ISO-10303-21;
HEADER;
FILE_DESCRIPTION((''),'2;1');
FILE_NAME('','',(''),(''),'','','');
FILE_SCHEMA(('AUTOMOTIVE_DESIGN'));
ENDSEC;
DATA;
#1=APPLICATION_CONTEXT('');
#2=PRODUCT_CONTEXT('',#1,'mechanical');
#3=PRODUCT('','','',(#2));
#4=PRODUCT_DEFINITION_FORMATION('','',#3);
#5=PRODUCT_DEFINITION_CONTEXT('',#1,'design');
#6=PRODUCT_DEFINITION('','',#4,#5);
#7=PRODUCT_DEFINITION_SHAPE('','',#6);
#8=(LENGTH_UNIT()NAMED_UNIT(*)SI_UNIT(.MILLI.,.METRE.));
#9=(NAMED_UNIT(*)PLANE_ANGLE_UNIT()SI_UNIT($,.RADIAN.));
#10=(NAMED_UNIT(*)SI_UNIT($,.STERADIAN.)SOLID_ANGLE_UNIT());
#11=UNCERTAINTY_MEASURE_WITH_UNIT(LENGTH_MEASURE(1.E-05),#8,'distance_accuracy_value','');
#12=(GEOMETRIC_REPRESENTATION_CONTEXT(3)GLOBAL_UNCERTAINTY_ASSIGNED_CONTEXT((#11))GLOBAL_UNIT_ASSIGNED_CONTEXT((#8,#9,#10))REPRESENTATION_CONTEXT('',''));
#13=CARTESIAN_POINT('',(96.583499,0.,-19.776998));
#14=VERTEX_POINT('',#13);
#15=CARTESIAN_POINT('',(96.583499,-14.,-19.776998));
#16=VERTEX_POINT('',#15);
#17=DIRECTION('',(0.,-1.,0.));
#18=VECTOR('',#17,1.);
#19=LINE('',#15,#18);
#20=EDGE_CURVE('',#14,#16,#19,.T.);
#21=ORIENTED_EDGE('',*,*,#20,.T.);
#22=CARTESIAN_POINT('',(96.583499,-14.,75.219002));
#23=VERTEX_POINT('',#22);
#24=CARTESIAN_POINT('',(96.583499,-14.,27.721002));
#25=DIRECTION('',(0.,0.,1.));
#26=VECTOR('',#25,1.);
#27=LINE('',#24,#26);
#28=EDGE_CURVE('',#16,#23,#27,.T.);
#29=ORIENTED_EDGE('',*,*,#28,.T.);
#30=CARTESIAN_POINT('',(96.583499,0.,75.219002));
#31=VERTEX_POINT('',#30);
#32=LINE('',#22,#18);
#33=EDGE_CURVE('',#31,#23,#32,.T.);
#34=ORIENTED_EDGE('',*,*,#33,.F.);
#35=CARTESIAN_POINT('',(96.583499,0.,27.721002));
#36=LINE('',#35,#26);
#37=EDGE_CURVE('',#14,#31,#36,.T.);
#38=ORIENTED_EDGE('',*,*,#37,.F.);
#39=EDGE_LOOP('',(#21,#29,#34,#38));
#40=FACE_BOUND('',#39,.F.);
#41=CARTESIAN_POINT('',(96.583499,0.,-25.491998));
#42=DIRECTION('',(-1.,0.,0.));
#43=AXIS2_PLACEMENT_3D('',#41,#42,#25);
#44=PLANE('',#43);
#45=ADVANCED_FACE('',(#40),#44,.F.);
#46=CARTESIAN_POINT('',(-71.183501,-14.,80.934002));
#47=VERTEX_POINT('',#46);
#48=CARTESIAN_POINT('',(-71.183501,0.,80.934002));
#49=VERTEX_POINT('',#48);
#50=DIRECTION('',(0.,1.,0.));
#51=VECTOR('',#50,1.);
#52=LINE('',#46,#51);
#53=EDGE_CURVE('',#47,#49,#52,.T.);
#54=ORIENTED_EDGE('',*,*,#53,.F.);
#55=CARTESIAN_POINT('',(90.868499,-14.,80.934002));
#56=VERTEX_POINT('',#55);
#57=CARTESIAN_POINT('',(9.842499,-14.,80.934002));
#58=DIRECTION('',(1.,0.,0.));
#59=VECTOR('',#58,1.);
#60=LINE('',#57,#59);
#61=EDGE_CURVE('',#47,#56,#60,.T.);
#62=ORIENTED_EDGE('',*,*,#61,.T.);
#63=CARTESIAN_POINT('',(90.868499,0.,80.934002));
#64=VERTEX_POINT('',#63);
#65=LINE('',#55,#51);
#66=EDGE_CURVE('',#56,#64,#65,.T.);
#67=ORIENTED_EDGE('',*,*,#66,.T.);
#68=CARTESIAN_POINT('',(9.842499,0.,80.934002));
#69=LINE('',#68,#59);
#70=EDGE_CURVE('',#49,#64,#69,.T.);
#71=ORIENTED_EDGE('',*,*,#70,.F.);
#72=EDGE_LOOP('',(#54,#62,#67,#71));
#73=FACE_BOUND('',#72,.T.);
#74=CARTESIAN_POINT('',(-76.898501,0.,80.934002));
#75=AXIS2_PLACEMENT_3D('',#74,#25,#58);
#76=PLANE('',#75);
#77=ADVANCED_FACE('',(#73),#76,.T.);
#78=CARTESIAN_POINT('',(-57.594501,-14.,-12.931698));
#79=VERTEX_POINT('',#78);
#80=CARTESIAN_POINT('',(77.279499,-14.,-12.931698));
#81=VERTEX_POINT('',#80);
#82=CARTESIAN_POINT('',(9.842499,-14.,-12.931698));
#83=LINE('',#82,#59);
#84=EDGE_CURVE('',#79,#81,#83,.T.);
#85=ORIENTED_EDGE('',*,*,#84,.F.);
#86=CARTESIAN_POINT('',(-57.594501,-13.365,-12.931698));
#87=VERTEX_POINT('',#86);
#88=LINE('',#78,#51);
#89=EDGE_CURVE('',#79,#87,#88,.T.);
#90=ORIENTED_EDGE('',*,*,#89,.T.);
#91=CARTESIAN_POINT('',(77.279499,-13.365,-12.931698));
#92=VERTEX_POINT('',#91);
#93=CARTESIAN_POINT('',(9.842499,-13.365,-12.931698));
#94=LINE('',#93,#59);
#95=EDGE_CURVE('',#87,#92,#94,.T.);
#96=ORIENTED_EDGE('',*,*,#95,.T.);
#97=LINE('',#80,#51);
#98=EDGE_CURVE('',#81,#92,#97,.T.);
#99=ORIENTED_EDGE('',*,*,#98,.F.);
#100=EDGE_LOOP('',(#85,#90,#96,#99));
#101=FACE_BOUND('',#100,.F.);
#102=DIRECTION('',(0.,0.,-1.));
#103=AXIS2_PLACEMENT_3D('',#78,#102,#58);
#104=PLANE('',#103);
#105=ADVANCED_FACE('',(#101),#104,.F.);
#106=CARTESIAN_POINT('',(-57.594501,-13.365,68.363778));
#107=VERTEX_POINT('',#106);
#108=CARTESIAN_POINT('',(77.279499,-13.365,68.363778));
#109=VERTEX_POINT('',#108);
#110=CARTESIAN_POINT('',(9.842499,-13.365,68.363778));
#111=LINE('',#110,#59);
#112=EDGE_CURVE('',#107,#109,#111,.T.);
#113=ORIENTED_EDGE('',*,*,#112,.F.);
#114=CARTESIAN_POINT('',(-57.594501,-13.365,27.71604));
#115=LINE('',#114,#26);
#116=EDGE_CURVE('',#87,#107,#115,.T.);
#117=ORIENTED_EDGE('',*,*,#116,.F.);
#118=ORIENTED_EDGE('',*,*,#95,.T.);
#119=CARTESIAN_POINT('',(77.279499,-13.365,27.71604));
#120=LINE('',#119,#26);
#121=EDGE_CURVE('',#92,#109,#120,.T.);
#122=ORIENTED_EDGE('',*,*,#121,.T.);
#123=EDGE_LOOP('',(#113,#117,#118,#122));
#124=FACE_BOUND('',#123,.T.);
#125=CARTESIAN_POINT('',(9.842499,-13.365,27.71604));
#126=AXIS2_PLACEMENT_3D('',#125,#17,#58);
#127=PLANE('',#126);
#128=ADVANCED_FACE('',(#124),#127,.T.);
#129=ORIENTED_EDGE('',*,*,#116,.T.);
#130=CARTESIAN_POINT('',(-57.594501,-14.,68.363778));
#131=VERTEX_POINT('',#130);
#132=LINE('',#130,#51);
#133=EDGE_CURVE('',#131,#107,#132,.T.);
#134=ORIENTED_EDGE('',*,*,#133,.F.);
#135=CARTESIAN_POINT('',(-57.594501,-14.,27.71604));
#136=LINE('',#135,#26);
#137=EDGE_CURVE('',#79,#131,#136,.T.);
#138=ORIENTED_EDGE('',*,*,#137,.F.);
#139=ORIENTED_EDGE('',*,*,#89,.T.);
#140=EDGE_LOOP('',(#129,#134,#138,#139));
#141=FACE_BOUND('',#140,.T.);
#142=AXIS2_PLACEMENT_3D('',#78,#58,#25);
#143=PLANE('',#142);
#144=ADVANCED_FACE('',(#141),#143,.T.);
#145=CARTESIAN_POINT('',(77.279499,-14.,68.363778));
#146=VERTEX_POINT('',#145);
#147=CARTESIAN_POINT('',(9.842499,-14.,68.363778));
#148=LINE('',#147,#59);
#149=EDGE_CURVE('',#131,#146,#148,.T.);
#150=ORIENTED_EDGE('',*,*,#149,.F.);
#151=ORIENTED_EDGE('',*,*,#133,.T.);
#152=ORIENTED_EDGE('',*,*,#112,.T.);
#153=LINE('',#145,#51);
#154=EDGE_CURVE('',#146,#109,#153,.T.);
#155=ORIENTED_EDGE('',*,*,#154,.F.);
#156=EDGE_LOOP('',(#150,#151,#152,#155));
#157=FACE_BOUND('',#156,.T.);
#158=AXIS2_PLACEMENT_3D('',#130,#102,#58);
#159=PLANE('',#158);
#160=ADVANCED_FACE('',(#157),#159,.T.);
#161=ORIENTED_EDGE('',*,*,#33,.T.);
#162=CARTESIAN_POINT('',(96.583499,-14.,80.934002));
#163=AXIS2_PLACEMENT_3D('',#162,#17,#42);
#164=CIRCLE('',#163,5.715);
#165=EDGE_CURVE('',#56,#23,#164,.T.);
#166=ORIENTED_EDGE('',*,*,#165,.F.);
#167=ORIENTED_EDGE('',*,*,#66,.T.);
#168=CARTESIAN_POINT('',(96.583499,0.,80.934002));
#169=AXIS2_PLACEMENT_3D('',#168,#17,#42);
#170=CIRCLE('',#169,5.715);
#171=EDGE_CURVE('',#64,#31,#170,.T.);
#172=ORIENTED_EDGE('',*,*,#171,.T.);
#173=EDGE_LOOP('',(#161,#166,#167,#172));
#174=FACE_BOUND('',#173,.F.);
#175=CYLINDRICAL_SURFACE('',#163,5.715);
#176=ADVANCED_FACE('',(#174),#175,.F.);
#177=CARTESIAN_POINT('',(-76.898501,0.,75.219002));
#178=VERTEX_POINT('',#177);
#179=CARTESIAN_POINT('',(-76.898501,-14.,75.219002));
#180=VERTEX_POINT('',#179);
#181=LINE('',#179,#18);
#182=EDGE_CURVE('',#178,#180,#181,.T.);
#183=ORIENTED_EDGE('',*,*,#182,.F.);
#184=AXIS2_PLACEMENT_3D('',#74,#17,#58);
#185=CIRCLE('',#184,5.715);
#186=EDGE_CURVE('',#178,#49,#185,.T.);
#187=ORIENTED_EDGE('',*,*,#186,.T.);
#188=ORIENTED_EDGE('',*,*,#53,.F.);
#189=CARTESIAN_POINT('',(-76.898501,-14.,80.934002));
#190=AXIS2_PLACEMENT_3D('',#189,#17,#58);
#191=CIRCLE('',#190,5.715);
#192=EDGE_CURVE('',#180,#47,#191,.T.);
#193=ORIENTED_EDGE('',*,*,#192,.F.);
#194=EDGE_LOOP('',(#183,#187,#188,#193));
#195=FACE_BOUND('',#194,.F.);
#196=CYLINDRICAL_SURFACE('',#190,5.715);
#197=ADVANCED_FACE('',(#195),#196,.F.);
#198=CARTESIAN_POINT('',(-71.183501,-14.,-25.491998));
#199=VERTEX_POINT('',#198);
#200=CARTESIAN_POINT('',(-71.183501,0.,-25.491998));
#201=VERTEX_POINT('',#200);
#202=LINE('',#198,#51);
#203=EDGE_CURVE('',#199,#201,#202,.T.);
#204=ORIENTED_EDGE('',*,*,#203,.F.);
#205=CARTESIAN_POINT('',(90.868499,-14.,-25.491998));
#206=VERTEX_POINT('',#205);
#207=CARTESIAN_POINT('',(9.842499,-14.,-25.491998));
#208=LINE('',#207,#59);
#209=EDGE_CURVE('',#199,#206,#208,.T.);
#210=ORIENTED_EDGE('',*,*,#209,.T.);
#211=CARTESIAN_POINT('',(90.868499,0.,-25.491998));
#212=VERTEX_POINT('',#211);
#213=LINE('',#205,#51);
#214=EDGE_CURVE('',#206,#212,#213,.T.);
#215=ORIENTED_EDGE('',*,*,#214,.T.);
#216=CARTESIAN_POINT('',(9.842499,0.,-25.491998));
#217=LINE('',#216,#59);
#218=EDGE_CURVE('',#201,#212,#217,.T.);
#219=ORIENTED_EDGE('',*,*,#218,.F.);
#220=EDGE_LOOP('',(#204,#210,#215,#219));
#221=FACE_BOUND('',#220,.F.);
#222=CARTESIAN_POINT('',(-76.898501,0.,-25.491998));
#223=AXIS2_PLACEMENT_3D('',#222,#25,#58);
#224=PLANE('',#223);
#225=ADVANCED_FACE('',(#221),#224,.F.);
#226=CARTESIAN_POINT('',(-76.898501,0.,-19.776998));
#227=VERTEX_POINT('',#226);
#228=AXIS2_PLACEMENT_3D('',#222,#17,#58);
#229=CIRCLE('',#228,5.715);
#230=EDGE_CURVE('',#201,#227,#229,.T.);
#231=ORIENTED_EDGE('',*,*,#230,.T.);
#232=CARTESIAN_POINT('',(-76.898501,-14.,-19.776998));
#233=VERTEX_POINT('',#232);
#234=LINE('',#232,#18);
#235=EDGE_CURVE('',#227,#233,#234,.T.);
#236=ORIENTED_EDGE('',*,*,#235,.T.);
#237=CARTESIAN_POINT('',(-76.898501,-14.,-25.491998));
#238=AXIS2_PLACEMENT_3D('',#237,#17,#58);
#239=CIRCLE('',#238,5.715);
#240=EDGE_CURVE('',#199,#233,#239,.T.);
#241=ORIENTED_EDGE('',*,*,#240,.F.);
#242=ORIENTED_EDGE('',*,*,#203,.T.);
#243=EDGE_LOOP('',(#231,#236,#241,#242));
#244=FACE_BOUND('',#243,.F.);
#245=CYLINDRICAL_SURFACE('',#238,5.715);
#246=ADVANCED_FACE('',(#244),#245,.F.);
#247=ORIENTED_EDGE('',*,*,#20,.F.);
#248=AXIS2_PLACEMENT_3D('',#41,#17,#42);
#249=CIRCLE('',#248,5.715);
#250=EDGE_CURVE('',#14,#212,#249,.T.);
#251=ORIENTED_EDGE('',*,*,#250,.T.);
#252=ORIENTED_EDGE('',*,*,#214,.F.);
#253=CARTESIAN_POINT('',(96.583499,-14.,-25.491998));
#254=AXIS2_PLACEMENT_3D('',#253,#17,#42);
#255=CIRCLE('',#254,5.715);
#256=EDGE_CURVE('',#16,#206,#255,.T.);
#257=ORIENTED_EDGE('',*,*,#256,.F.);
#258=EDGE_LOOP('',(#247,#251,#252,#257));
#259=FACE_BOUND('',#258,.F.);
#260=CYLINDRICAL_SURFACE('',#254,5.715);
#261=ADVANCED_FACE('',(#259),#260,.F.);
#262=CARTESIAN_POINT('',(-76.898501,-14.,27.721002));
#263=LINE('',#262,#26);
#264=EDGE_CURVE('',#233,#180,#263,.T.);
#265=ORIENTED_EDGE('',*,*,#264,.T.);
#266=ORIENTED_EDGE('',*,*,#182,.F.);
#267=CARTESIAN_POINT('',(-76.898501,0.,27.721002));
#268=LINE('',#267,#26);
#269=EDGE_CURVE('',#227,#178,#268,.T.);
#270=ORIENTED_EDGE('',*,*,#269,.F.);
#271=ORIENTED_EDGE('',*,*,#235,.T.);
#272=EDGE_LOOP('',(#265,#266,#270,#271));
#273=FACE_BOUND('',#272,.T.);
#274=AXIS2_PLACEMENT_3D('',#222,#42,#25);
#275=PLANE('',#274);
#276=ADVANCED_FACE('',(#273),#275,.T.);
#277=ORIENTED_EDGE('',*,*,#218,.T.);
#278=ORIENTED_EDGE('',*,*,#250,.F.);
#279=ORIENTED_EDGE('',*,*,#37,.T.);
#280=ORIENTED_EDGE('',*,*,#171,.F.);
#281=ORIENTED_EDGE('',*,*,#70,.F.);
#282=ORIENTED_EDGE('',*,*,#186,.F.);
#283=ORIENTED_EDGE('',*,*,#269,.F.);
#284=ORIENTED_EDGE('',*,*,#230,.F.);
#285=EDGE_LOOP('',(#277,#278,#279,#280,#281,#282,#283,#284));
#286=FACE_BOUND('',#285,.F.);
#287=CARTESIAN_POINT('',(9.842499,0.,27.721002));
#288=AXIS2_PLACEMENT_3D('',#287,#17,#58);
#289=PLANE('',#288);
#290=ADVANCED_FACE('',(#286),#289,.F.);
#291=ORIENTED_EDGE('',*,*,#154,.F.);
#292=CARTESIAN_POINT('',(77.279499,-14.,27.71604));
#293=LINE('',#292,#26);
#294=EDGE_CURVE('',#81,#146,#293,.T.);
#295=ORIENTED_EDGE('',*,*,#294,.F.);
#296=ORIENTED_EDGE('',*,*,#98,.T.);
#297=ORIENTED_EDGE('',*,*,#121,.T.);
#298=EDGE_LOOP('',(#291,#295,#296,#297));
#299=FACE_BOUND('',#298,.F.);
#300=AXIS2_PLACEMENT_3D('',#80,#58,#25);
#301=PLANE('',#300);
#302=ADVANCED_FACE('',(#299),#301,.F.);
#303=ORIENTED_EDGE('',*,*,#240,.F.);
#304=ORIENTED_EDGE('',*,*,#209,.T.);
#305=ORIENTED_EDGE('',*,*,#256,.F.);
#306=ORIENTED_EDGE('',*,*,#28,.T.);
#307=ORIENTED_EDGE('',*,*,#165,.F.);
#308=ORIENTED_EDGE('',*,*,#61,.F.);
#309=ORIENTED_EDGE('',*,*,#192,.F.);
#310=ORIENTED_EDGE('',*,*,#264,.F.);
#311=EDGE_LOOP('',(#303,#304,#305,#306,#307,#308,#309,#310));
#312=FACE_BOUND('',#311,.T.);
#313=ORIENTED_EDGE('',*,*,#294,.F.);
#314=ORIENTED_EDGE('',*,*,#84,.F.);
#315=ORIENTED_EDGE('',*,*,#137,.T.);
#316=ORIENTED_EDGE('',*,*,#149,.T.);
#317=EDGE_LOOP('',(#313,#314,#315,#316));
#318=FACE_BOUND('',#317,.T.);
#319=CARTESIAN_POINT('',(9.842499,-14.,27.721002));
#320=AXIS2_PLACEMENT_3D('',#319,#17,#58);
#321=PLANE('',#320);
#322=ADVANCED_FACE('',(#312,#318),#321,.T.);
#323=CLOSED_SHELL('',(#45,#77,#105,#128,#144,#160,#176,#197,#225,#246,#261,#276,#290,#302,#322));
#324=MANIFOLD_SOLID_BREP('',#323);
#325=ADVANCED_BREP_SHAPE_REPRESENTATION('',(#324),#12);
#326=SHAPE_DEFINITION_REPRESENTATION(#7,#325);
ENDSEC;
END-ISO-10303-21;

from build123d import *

# Parameters (mm, degrees)
F0_W     = 173.482
F0_H     = 106.426
F1_DEPTH = 14
F2_W     = 134.874
F2_H     = 81.295477
F3_DEPTH = 0.635
F4_R     = 5.715
F5_DEPTH = 25.4


with BuildPart() as f1:
    # F0 (on Front) → F1 (new body)
    with BuildSketch(Plane.XZ):
        with Locations((9.842499, 27.721002)):
            Rectangle(F0_W, F0_H)
    extrude(amount=F1_DEPTH)

    # F2 (on face) → F3 (cut)
    with BuildSketch(Plane.XZ.offset(14)):
        with Locations((9.842499, 27.71604)):
            Rectangle(F2_W, F2_H)
    extrude(amount=-F3_DEPTH, mode=Mode.SUBTRACT)

    # F4 (on face) → F5 (cut)
    with BuildSketch(Plane.XZ.offset(14)):
        with Locations((-76.898501, 80.934002)):
            Circle(F4_R)
        with Locations((-76.898501, -25.491998)):
            Circle(F4_R)
        with BuildLine():
            ThreePointArc((102.298499, -25.491998), (96.583499, -19.776998), (90.868499, -25.491998))
            ThreePointArc((90.868499, -25.491998), (96.583499, -31.206998), (102.298499, -25.491998))
        make_face()
        with BuildLine():
            ThreePointArc((102.298499, 80.934002), (96.583499, 86.649002), (90.868499, 80.934002))
            ThreePointArc((90.868499, 80.934002), (96.583499, 75.219002), (102.298499, 80.934002))
        make_face()
    extrude(amount=-F5_DEPTH, mode=Mode.SUBTRACT)


solid = f1.part
